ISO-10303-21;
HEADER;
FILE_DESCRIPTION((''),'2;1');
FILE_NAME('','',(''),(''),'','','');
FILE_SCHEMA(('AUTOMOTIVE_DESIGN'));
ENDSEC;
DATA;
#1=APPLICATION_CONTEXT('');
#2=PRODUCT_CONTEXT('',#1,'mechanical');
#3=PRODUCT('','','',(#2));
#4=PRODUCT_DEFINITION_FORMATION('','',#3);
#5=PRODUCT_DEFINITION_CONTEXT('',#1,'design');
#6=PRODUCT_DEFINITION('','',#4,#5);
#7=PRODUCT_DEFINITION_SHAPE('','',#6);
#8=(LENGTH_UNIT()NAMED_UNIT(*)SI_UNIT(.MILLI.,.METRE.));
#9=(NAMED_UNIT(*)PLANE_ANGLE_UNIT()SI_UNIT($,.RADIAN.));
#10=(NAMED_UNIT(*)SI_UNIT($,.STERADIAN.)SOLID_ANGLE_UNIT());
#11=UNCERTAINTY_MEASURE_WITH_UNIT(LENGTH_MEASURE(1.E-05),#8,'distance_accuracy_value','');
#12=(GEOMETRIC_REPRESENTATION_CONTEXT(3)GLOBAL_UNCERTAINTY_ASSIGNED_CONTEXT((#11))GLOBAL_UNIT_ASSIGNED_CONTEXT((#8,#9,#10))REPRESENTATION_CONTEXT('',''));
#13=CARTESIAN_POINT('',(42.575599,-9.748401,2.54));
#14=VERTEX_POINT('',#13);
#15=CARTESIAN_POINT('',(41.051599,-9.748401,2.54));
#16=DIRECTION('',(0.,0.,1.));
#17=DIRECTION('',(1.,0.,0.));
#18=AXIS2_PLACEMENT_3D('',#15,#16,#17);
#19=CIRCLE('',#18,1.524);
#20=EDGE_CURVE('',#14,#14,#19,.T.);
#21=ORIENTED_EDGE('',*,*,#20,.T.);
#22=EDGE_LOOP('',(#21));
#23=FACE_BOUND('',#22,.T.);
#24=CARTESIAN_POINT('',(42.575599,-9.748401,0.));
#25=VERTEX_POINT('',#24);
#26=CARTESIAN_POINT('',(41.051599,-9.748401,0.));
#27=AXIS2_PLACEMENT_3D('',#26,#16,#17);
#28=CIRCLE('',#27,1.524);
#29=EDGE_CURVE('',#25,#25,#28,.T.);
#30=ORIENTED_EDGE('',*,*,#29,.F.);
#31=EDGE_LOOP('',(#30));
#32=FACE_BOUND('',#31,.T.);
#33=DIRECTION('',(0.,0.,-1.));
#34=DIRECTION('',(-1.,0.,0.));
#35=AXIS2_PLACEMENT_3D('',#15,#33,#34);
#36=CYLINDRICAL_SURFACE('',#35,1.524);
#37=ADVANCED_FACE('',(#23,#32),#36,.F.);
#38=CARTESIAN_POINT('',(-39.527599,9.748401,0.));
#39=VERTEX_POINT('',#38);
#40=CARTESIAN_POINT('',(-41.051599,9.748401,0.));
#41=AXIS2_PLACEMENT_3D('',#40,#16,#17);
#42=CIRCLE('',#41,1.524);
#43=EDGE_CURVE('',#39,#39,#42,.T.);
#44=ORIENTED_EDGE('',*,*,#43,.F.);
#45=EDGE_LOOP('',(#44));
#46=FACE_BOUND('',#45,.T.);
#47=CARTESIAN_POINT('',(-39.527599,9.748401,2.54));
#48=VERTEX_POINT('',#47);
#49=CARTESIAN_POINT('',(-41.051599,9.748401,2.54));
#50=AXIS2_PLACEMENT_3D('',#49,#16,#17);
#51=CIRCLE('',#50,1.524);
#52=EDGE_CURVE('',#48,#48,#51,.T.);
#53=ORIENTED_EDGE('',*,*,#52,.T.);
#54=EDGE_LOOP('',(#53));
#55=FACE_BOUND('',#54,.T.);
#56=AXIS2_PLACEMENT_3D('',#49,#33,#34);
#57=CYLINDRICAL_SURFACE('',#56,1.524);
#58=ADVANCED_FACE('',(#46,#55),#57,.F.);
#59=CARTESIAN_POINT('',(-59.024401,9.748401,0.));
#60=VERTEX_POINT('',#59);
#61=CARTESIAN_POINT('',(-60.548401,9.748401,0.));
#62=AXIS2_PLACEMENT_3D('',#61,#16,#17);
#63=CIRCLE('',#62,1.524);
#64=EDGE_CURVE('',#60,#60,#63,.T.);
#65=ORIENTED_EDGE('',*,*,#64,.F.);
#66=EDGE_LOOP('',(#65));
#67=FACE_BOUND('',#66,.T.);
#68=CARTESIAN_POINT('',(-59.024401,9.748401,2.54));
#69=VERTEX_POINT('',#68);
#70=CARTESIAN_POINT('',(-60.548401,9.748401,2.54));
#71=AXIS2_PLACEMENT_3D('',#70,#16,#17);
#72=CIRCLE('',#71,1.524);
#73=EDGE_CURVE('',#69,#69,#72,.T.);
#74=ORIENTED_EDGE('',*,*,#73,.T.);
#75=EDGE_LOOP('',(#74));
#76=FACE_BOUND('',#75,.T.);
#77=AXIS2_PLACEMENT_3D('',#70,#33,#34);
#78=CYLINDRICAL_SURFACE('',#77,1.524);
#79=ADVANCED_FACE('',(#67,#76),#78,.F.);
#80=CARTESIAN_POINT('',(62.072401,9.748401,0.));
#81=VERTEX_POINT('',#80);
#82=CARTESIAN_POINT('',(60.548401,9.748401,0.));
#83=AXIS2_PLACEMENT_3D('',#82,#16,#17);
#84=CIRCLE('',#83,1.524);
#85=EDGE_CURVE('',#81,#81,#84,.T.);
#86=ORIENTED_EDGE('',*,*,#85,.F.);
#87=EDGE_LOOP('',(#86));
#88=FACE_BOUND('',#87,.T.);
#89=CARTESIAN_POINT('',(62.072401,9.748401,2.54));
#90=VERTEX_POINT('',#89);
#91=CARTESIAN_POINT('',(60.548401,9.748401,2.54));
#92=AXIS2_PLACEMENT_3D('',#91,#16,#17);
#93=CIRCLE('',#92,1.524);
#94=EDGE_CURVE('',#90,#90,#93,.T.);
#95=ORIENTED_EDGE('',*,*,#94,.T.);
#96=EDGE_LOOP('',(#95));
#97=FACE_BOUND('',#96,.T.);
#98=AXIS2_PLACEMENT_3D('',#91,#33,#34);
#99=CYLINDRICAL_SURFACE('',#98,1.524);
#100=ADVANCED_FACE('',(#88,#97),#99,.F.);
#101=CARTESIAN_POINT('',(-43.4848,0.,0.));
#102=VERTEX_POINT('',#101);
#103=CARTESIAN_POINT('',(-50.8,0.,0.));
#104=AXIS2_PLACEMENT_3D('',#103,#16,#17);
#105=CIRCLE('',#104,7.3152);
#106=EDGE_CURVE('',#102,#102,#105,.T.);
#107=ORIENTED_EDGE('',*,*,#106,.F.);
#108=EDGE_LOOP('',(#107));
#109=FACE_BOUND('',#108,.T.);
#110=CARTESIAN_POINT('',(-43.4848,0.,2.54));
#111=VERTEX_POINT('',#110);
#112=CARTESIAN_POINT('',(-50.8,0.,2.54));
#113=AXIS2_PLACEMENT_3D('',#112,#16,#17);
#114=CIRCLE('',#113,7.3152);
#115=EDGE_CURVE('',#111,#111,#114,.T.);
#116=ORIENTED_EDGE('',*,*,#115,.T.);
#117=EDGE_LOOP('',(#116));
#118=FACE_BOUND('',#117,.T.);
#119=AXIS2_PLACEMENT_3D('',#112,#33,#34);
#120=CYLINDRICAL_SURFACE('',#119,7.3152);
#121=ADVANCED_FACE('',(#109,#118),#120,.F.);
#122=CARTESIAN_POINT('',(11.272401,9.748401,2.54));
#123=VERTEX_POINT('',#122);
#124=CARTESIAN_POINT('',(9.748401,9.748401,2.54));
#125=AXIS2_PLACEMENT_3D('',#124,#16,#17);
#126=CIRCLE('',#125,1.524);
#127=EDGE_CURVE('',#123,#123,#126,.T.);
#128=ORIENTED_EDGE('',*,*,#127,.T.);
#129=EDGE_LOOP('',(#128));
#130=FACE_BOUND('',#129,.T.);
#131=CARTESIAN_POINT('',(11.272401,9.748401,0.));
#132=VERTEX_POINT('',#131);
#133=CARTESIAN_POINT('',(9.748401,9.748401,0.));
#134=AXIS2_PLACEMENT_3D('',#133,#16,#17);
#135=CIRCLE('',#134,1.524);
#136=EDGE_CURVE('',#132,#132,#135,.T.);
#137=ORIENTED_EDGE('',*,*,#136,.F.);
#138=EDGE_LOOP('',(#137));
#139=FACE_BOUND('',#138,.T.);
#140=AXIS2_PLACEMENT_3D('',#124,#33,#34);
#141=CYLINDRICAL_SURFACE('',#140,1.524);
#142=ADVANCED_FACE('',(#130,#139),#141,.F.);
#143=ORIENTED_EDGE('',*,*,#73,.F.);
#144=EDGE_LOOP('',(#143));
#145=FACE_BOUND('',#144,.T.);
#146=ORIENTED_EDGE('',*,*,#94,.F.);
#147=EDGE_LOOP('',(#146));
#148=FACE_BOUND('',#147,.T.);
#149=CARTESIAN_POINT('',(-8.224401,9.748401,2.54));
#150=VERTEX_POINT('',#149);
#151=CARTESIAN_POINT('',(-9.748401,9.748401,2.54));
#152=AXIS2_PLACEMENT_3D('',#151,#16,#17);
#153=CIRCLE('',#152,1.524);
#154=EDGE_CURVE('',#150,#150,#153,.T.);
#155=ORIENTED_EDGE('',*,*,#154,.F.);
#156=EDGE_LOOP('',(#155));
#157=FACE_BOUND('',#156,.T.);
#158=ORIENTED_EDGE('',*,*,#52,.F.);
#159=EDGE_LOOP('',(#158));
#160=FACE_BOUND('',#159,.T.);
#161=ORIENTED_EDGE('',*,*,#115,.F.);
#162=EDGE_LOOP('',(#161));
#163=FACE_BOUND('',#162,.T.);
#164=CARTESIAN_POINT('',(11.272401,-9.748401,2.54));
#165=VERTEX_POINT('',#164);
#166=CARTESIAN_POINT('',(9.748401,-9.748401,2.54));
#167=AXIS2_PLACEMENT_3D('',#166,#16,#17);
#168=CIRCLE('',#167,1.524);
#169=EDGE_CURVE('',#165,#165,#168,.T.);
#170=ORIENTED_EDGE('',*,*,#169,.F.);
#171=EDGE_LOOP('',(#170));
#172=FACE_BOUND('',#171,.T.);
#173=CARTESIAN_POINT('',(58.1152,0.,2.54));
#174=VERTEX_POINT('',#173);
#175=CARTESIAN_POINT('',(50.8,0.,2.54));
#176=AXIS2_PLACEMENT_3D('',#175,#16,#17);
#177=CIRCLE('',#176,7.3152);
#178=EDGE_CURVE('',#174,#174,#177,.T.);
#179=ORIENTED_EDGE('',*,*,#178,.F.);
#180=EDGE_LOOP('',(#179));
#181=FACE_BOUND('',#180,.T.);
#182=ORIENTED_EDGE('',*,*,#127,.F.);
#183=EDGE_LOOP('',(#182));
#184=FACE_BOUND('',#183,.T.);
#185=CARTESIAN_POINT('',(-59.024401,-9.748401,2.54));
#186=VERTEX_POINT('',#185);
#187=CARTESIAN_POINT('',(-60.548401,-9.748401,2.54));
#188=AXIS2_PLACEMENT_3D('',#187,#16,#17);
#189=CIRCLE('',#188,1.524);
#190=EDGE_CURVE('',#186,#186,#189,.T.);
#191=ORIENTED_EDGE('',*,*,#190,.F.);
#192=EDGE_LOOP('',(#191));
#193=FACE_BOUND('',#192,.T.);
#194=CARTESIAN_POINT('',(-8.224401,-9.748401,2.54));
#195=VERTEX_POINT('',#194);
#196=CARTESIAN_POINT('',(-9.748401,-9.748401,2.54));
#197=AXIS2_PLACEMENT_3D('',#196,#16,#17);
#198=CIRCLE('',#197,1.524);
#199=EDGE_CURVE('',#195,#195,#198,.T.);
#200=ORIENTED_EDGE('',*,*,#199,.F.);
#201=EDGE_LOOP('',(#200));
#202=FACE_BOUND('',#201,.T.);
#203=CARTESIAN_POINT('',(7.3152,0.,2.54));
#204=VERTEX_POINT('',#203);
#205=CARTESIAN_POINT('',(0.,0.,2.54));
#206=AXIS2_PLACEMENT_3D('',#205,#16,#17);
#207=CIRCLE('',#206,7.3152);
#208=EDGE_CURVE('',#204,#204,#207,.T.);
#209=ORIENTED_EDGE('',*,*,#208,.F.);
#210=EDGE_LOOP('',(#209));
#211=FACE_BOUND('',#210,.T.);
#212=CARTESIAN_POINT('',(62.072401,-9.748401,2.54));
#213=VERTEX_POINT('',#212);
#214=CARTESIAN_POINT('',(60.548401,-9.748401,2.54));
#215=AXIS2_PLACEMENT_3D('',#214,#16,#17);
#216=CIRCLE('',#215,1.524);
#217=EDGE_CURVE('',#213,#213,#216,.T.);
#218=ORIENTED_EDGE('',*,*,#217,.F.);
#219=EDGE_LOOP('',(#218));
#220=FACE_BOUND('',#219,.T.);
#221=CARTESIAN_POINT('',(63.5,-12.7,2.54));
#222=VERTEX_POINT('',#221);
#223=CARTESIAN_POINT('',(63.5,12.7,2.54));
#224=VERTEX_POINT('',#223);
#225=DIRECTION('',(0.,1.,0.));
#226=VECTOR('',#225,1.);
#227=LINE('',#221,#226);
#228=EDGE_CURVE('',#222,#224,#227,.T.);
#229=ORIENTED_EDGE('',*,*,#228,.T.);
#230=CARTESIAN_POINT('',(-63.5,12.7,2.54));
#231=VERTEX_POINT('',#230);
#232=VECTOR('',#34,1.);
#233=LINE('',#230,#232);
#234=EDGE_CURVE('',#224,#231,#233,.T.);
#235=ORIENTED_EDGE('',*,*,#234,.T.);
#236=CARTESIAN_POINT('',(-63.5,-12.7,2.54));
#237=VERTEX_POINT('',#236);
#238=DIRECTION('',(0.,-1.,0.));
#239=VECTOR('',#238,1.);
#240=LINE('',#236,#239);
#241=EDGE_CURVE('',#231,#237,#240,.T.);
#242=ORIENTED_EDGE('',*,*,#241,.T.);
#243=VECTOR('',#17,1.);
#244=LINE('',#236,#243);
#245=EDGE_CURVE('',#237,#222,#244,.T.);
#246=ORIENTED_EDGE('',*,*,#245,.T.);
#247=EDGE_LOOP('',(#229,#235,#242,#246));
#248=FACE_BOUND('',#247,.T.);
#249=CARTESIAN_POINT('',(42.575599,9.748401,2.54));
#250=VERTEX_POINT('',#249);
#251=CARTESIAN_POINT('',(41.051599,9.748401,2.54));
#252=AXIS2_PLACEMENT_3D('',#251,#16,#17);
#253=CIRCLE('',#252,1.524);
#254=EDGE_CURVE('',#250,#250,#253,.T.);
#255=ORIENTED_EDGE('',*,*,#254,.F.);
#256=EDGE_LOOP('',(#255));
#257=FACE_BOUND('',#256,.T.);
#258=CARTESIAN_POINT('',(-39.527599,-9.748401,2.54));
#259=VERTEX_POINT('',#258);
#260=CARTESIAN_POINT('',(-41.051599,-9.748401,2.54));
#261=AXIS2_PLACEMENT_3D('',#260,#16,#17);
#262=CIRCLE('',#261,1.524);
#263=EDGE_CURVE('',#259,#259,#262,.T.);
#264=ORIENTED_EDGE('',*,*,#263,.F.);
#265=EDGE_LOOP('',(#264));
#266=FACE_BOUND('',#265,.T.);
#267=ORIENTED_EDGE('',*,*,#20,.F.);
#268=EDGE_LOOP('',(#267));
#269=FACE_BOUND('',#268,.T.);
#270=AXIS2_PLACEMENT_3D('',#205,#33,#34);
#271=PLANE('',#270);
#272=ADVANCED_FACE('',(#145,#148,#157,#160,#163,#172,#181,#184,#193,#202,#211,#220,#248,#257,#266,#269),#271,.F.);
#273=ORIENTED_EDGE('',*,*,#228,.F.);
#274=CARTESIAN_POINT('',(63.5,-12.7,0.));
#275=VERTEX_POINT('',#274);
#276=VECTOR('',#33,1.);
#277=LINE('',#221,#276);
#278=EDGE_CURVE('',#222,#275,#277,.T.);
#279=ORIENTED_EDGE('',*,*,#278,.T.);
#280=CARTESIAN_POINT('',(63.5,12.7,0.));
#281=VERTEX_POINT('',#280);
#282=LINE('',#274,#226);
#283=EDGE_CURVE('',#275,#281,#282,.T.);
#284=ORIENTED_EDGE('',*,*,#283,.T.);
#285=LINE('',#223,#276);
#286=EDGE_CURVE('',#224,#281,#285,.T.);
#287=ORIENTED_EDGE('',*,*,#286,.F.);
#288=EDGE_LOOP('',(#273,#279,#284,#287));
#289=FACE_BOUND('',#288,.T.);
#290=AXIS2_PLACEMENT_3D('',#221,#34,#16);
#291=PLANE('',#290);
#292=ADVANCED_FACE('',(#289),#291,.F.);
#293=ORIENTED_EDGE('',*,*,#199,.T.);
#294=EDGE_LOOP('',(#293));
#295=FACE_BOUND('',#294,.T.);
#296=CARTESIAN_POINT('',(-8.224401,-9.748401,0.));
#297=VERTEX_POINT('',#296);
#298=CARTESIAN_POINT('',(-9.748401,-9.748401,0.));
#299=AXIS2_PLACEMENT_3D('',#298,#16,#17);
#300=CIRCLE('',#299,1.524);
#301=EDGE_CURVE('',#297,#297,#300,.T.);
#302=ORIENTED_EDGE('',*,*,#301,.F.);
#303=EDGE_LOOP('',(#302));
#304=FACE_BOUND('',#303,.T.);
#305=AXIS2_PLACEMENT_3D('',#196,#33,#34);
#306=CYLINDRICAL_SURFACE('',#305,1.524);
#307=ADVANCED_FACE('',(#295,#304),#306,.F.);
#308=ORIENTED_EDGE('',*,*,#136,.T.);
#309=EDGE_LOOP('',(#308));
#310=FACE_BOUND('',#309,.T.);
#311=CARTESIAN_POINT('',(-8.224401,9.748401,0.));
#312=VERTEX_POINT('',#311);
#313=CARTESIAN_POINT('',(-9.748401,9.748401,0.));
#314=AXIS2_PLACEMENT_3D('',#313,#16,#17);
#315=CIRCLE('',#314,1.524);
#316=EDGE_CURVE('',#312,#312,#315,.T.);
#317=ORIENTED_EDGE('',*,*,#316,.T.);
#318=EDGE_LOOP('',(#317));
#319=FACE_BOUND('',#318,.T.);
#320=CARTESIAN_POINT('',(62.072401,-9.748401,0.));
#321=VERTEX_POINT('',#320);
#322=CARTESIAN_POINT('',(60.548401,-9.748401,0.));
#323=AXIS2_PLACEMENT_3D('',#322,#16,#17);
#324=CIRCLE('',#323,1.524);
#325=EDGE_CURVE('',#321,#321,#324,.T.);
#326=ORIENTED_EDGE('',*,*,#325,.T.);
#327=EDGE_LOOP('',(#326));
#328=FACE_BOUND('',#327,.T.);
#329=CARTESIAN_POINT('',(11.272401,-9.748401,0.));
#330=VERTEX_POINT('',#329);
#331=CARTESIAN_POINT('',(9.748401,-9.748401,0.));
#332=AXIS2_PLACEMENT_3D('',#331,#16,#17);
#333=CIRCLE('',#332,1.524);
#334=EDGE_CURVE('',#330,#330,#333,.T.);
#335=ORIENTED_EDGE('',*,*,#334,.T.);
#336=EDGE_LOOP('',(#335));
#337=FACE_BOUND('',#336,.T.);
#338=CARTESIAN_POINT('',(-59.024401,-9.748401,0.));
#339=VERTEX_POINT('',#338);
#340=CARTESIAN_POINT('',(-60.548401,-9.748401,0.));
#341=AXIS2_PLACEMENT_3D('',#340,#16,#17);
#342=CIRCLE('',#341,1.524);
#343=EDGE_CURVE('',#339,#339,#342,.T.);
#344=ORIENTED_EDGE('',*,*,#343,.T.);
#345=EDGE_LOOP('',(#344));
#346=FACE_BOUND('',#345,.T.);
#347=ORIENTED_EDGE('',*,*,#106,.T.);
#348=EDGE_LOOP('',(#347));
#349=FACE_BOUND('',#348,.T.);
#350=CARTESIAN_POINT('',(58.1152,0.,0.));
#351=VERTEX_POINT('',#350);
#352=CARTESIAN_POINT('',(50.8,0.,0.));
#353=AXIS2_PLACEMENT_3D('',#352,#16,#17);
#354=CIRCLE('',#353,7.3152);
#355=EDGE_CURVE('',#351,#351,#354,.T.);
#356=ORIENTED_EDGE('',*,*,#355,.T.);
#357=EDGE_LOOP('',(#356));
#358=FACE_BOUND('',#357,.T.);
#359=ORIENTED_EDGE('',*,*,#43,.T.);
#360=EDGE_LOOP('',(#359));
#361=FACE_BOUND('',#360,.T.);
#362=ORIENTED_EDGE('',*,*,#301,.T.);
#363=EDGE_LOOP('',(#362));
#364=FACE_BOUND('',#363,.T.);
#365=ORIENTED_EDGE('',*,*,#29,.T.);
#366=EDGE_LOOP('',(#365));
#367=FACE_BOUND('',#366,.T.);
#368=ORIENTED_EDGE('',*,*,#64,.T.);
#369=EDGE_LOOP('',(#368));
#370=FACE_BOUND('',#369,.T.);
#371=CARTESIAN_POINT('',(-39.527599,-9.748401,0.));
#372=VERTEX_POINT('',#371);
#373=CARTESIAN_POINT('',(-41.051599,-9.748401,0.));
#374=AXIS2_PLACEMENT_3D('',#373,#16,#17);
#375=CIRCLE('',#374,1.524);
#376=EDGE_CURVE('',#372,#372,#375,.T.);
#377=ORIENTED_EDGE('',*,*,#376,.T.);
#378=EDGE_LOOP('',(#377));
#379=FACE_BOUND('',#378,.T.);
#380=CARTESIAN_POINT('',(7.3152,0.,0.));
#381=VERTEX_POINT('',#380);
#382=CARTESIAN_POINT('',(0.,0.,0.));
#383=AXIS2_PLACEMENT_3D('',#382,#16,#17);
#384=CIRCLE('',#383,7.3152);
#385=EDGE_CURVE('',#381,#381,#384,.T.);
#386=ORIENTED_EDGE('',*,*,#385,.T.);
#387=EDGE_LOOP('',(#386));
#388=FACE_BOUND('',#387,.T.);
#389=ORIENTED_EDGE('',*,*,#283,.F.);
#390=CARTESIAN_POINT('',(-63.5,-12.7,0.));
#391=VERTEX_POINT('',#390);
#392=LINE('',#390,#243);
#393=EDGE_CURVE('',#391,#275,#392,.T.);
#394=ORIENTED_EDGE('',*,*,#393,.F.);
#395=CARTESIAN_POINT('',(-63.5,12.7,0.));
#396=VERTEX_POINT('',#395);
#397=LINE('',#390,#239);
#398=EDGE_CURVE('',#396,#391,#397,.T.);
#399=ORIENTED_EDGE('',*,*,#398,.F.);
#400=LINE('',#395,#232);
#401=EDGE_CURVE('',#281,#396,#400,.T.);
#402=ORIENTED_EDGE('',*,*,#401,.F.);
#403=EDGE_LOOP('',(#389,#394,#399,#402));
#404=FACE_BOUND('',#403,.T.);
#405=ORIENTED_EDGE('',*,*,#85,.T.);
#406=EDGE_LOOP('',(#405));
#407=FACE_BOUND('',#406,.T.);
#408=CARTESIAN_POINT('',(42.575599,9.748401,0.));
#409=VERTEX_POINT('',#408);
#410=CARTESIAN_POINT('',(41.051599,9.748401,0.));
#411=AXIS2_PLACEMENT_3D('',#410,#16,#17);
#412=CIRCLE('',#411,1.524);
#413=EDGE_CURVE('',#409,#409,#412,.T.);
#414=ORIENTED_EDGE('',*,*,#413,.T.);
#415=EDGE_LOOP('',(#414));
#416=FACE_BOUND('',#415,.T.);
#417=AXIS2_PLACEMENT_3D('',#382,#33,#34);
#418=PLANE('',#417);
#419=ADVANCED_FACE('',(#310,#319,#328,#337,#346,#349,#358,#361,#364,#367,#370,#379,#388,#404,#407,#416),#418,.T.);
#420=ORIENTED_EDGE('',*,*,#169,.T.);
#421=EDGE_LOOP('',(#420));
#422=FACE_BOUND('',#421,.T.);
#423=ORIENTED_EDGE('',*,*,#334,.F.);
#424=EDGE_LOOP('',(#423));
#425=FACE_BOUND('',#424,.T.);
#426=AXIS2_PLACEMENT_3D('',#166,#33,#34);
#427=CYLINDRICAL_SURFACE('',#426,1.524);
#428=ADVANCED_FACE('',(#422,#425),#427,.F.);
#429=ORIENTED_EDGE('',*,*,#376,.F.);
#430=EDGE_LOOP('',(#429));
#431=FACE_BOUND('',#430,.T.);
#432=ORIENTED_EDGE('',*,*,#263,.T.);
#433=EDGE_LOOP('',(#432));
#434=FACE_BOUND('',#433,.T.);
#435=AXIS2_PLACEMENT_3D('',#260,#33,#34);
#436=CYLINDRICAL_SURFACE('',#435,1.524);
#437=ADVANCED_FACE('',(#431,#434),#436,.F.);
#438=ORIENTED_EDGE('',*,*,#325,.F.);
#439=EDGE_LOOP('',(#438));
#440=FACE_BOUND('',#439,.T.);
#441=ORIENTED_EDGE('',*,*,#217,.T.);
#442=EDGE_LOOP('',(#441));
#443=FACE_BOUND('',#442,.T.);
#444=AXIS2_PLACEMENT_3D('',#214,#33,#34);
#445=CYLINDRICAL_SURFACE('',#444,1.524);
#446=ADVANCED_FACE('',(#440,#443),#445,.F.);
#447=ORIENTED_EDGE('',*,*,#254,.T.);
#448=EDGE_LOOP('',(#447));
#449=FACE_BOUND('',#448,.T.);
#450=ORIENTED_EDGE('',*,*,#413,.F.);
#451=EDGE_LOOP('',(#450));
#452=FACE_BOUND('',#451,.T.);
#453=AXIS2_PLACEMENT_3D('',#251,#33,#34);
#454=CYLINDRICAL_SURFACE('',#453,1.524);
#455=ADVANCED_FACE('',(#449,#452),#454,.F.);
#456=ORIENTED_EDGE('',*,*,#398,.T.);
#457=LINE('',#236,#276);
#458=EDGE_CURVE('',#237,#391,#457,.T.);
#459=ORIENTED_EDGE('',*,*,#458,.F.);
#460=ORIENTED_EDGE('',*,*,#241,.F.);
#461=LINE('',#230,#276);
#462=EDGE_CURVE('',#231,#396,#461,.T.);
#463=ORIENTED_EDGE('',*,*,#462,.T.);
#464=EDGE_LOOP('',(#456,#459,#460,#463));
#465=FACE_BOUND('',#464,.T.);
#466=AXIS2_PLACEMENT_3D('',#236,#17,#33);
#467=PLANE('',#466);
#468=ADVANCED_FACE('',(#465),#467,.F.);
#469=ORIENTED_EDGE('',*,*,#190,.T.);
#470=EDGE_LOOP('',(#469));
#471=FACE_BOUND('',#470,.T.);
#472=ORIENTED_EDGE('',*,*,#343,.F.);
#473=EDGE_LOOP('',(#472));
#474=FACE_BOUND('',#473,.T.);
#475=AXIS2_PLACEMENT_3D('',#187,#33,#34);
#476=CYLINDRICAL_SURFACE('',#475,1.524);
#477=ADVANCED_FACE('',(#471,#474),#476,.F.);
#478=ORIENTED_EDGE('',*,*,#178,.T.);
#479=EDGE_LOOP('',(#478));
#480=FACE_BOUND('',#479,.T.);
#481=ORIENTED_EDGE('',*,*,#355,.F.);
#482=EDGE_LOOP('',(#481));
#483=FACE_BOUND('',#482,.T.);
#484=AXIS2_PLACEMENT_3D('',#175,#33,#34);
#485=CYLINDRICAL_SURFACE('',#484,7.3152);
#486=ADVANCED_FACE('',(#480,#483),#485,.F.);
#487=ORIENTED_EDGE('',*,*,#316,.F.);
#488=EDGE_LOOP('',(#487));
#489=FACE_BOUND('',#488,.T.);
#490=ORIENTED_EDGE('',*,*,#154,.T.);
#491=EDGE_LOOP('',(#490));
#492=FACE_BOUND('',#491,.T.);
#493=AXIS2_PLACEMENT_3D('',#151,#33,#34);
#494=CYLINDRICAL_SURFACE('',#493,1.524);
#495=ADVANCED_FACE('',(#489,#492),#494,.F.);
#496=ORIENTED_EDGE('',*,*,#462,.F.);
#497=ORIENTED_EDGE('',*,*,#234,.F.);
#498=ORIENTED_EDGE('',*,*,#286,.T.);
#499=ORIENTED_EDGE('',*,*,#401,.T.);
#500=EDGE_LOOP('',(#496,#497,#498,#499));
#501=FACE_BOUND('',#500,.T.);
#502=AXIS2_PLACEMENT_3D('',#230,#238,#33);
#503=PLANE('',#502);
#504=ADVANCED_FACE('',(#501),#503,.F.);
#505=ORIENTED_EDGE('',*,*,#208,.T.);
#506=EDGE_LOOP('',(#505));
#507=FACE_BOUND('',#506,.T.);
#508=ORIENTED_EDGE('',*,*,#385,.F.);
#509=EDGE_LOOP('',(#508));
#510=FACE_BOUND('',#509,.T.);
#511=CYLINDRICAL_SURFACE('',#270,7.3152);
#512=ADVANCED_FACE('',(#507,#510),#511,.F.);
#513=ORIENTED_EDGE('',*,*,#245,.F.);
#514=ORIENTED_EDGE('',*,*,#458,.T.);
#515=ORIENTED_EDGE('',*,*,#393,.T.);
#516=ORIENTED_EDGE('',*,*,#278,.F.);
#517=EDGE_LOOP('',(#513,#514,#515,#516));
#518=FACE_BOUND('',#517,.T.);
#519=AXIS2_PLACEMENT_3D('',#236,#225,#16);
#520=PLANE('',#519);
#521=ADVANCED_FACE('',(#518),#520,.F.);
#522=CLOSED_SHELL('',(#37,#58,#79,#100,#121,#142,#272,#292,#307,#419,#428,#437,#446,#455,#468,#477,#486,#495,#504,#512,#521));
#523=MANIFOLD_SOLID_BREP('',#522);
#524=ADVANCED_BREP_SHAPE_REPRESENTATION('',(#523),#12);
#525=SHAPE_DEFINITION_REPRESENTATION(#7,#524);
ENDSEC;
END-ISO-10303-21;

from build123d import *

# Parameters (mm, degrees)
SKETCH1_W           = 127
SKETCH1_H           = 25.4
SKETCH1_R           = 7.3152
SKETCH1_R_2         = 1.524
BOSS_EXTRUDE7_DEPTH = 2.54


with BuildPart() as part:
    # Sketch1 → Boss-Extrude7 (new body)
    with BuildSketch(Plane.XY):
        Rectangle(SKETCH1_W, SKETCH1_H)
        Circle(SKETCH1_R, mode=Mode.SUBTRACT)
        with Locations((9.748400853, 9.748400853)):
            Circle(SKETCH1_R_2, mode=Mode.SUBTRACT)
        with Locations((-9.748400853, -9.748400853)):
            Circle(SKETCH1_R_2, mode=Mode.SUBTRACT)
        with Locations((9.748400853, -9.748400853)):
            Circle(SKETCH1_R_2, mode=Mode.SUBTRACT)
        with Locations((-9.748400853, 9.748400853)):
            Circle(SKETCH1_R_2, mode=Mode.SUBTRACT)
        with Locations((50.8, 0)):
            Circle(SKETCH1_R, mode=Mode.SUBTRACT)
        with Locations((60.548400853, 9.748400853)):
            Circle(SKETCH1_R_2, mode=Mode.SUBTRACT)
        with Locations((41.051599147, -9.748400853)):
            Circle(SKETCH1_R_2, mode=Mode.SUBTRACT)
        with Locations((60.548400853, -9.748400853)):
            Circle(SKETCH1_R_2, mode=Mode.SUBTRACT)
        with Locations((41.051599147, 9.748400853)):
            Circle(SKETCH1_R_2, mode=Mode.SUBTRACT)
        with Locations((-50.8, 0)):
            Circle(SKETCH1_R, mode=Mode.SUBTRACT)
        with Locations((-41.051599147, 9.748400853)):
            Circle(SKETCH1_R_2, mode=Mode.SUBTRACT)
        with Locations((-60.548400853, -9.748400853)):
            Circle(SKETCH1_R_2, mode=Mode.SUBTRACT)
        with Locations((-41.051599147, -9.748400853)):
            Circle(SKETCH1_R_2, mode=Mode.SUBTRACT)
        with Locations((-60.548400853, 9.748400853)):
            Circle(SKETCH1_R_2, mode=Mode.SUBTRACT)
    extrude(amount=BOSS_EXTRUDE7_DEPTH)


solid = part.part
